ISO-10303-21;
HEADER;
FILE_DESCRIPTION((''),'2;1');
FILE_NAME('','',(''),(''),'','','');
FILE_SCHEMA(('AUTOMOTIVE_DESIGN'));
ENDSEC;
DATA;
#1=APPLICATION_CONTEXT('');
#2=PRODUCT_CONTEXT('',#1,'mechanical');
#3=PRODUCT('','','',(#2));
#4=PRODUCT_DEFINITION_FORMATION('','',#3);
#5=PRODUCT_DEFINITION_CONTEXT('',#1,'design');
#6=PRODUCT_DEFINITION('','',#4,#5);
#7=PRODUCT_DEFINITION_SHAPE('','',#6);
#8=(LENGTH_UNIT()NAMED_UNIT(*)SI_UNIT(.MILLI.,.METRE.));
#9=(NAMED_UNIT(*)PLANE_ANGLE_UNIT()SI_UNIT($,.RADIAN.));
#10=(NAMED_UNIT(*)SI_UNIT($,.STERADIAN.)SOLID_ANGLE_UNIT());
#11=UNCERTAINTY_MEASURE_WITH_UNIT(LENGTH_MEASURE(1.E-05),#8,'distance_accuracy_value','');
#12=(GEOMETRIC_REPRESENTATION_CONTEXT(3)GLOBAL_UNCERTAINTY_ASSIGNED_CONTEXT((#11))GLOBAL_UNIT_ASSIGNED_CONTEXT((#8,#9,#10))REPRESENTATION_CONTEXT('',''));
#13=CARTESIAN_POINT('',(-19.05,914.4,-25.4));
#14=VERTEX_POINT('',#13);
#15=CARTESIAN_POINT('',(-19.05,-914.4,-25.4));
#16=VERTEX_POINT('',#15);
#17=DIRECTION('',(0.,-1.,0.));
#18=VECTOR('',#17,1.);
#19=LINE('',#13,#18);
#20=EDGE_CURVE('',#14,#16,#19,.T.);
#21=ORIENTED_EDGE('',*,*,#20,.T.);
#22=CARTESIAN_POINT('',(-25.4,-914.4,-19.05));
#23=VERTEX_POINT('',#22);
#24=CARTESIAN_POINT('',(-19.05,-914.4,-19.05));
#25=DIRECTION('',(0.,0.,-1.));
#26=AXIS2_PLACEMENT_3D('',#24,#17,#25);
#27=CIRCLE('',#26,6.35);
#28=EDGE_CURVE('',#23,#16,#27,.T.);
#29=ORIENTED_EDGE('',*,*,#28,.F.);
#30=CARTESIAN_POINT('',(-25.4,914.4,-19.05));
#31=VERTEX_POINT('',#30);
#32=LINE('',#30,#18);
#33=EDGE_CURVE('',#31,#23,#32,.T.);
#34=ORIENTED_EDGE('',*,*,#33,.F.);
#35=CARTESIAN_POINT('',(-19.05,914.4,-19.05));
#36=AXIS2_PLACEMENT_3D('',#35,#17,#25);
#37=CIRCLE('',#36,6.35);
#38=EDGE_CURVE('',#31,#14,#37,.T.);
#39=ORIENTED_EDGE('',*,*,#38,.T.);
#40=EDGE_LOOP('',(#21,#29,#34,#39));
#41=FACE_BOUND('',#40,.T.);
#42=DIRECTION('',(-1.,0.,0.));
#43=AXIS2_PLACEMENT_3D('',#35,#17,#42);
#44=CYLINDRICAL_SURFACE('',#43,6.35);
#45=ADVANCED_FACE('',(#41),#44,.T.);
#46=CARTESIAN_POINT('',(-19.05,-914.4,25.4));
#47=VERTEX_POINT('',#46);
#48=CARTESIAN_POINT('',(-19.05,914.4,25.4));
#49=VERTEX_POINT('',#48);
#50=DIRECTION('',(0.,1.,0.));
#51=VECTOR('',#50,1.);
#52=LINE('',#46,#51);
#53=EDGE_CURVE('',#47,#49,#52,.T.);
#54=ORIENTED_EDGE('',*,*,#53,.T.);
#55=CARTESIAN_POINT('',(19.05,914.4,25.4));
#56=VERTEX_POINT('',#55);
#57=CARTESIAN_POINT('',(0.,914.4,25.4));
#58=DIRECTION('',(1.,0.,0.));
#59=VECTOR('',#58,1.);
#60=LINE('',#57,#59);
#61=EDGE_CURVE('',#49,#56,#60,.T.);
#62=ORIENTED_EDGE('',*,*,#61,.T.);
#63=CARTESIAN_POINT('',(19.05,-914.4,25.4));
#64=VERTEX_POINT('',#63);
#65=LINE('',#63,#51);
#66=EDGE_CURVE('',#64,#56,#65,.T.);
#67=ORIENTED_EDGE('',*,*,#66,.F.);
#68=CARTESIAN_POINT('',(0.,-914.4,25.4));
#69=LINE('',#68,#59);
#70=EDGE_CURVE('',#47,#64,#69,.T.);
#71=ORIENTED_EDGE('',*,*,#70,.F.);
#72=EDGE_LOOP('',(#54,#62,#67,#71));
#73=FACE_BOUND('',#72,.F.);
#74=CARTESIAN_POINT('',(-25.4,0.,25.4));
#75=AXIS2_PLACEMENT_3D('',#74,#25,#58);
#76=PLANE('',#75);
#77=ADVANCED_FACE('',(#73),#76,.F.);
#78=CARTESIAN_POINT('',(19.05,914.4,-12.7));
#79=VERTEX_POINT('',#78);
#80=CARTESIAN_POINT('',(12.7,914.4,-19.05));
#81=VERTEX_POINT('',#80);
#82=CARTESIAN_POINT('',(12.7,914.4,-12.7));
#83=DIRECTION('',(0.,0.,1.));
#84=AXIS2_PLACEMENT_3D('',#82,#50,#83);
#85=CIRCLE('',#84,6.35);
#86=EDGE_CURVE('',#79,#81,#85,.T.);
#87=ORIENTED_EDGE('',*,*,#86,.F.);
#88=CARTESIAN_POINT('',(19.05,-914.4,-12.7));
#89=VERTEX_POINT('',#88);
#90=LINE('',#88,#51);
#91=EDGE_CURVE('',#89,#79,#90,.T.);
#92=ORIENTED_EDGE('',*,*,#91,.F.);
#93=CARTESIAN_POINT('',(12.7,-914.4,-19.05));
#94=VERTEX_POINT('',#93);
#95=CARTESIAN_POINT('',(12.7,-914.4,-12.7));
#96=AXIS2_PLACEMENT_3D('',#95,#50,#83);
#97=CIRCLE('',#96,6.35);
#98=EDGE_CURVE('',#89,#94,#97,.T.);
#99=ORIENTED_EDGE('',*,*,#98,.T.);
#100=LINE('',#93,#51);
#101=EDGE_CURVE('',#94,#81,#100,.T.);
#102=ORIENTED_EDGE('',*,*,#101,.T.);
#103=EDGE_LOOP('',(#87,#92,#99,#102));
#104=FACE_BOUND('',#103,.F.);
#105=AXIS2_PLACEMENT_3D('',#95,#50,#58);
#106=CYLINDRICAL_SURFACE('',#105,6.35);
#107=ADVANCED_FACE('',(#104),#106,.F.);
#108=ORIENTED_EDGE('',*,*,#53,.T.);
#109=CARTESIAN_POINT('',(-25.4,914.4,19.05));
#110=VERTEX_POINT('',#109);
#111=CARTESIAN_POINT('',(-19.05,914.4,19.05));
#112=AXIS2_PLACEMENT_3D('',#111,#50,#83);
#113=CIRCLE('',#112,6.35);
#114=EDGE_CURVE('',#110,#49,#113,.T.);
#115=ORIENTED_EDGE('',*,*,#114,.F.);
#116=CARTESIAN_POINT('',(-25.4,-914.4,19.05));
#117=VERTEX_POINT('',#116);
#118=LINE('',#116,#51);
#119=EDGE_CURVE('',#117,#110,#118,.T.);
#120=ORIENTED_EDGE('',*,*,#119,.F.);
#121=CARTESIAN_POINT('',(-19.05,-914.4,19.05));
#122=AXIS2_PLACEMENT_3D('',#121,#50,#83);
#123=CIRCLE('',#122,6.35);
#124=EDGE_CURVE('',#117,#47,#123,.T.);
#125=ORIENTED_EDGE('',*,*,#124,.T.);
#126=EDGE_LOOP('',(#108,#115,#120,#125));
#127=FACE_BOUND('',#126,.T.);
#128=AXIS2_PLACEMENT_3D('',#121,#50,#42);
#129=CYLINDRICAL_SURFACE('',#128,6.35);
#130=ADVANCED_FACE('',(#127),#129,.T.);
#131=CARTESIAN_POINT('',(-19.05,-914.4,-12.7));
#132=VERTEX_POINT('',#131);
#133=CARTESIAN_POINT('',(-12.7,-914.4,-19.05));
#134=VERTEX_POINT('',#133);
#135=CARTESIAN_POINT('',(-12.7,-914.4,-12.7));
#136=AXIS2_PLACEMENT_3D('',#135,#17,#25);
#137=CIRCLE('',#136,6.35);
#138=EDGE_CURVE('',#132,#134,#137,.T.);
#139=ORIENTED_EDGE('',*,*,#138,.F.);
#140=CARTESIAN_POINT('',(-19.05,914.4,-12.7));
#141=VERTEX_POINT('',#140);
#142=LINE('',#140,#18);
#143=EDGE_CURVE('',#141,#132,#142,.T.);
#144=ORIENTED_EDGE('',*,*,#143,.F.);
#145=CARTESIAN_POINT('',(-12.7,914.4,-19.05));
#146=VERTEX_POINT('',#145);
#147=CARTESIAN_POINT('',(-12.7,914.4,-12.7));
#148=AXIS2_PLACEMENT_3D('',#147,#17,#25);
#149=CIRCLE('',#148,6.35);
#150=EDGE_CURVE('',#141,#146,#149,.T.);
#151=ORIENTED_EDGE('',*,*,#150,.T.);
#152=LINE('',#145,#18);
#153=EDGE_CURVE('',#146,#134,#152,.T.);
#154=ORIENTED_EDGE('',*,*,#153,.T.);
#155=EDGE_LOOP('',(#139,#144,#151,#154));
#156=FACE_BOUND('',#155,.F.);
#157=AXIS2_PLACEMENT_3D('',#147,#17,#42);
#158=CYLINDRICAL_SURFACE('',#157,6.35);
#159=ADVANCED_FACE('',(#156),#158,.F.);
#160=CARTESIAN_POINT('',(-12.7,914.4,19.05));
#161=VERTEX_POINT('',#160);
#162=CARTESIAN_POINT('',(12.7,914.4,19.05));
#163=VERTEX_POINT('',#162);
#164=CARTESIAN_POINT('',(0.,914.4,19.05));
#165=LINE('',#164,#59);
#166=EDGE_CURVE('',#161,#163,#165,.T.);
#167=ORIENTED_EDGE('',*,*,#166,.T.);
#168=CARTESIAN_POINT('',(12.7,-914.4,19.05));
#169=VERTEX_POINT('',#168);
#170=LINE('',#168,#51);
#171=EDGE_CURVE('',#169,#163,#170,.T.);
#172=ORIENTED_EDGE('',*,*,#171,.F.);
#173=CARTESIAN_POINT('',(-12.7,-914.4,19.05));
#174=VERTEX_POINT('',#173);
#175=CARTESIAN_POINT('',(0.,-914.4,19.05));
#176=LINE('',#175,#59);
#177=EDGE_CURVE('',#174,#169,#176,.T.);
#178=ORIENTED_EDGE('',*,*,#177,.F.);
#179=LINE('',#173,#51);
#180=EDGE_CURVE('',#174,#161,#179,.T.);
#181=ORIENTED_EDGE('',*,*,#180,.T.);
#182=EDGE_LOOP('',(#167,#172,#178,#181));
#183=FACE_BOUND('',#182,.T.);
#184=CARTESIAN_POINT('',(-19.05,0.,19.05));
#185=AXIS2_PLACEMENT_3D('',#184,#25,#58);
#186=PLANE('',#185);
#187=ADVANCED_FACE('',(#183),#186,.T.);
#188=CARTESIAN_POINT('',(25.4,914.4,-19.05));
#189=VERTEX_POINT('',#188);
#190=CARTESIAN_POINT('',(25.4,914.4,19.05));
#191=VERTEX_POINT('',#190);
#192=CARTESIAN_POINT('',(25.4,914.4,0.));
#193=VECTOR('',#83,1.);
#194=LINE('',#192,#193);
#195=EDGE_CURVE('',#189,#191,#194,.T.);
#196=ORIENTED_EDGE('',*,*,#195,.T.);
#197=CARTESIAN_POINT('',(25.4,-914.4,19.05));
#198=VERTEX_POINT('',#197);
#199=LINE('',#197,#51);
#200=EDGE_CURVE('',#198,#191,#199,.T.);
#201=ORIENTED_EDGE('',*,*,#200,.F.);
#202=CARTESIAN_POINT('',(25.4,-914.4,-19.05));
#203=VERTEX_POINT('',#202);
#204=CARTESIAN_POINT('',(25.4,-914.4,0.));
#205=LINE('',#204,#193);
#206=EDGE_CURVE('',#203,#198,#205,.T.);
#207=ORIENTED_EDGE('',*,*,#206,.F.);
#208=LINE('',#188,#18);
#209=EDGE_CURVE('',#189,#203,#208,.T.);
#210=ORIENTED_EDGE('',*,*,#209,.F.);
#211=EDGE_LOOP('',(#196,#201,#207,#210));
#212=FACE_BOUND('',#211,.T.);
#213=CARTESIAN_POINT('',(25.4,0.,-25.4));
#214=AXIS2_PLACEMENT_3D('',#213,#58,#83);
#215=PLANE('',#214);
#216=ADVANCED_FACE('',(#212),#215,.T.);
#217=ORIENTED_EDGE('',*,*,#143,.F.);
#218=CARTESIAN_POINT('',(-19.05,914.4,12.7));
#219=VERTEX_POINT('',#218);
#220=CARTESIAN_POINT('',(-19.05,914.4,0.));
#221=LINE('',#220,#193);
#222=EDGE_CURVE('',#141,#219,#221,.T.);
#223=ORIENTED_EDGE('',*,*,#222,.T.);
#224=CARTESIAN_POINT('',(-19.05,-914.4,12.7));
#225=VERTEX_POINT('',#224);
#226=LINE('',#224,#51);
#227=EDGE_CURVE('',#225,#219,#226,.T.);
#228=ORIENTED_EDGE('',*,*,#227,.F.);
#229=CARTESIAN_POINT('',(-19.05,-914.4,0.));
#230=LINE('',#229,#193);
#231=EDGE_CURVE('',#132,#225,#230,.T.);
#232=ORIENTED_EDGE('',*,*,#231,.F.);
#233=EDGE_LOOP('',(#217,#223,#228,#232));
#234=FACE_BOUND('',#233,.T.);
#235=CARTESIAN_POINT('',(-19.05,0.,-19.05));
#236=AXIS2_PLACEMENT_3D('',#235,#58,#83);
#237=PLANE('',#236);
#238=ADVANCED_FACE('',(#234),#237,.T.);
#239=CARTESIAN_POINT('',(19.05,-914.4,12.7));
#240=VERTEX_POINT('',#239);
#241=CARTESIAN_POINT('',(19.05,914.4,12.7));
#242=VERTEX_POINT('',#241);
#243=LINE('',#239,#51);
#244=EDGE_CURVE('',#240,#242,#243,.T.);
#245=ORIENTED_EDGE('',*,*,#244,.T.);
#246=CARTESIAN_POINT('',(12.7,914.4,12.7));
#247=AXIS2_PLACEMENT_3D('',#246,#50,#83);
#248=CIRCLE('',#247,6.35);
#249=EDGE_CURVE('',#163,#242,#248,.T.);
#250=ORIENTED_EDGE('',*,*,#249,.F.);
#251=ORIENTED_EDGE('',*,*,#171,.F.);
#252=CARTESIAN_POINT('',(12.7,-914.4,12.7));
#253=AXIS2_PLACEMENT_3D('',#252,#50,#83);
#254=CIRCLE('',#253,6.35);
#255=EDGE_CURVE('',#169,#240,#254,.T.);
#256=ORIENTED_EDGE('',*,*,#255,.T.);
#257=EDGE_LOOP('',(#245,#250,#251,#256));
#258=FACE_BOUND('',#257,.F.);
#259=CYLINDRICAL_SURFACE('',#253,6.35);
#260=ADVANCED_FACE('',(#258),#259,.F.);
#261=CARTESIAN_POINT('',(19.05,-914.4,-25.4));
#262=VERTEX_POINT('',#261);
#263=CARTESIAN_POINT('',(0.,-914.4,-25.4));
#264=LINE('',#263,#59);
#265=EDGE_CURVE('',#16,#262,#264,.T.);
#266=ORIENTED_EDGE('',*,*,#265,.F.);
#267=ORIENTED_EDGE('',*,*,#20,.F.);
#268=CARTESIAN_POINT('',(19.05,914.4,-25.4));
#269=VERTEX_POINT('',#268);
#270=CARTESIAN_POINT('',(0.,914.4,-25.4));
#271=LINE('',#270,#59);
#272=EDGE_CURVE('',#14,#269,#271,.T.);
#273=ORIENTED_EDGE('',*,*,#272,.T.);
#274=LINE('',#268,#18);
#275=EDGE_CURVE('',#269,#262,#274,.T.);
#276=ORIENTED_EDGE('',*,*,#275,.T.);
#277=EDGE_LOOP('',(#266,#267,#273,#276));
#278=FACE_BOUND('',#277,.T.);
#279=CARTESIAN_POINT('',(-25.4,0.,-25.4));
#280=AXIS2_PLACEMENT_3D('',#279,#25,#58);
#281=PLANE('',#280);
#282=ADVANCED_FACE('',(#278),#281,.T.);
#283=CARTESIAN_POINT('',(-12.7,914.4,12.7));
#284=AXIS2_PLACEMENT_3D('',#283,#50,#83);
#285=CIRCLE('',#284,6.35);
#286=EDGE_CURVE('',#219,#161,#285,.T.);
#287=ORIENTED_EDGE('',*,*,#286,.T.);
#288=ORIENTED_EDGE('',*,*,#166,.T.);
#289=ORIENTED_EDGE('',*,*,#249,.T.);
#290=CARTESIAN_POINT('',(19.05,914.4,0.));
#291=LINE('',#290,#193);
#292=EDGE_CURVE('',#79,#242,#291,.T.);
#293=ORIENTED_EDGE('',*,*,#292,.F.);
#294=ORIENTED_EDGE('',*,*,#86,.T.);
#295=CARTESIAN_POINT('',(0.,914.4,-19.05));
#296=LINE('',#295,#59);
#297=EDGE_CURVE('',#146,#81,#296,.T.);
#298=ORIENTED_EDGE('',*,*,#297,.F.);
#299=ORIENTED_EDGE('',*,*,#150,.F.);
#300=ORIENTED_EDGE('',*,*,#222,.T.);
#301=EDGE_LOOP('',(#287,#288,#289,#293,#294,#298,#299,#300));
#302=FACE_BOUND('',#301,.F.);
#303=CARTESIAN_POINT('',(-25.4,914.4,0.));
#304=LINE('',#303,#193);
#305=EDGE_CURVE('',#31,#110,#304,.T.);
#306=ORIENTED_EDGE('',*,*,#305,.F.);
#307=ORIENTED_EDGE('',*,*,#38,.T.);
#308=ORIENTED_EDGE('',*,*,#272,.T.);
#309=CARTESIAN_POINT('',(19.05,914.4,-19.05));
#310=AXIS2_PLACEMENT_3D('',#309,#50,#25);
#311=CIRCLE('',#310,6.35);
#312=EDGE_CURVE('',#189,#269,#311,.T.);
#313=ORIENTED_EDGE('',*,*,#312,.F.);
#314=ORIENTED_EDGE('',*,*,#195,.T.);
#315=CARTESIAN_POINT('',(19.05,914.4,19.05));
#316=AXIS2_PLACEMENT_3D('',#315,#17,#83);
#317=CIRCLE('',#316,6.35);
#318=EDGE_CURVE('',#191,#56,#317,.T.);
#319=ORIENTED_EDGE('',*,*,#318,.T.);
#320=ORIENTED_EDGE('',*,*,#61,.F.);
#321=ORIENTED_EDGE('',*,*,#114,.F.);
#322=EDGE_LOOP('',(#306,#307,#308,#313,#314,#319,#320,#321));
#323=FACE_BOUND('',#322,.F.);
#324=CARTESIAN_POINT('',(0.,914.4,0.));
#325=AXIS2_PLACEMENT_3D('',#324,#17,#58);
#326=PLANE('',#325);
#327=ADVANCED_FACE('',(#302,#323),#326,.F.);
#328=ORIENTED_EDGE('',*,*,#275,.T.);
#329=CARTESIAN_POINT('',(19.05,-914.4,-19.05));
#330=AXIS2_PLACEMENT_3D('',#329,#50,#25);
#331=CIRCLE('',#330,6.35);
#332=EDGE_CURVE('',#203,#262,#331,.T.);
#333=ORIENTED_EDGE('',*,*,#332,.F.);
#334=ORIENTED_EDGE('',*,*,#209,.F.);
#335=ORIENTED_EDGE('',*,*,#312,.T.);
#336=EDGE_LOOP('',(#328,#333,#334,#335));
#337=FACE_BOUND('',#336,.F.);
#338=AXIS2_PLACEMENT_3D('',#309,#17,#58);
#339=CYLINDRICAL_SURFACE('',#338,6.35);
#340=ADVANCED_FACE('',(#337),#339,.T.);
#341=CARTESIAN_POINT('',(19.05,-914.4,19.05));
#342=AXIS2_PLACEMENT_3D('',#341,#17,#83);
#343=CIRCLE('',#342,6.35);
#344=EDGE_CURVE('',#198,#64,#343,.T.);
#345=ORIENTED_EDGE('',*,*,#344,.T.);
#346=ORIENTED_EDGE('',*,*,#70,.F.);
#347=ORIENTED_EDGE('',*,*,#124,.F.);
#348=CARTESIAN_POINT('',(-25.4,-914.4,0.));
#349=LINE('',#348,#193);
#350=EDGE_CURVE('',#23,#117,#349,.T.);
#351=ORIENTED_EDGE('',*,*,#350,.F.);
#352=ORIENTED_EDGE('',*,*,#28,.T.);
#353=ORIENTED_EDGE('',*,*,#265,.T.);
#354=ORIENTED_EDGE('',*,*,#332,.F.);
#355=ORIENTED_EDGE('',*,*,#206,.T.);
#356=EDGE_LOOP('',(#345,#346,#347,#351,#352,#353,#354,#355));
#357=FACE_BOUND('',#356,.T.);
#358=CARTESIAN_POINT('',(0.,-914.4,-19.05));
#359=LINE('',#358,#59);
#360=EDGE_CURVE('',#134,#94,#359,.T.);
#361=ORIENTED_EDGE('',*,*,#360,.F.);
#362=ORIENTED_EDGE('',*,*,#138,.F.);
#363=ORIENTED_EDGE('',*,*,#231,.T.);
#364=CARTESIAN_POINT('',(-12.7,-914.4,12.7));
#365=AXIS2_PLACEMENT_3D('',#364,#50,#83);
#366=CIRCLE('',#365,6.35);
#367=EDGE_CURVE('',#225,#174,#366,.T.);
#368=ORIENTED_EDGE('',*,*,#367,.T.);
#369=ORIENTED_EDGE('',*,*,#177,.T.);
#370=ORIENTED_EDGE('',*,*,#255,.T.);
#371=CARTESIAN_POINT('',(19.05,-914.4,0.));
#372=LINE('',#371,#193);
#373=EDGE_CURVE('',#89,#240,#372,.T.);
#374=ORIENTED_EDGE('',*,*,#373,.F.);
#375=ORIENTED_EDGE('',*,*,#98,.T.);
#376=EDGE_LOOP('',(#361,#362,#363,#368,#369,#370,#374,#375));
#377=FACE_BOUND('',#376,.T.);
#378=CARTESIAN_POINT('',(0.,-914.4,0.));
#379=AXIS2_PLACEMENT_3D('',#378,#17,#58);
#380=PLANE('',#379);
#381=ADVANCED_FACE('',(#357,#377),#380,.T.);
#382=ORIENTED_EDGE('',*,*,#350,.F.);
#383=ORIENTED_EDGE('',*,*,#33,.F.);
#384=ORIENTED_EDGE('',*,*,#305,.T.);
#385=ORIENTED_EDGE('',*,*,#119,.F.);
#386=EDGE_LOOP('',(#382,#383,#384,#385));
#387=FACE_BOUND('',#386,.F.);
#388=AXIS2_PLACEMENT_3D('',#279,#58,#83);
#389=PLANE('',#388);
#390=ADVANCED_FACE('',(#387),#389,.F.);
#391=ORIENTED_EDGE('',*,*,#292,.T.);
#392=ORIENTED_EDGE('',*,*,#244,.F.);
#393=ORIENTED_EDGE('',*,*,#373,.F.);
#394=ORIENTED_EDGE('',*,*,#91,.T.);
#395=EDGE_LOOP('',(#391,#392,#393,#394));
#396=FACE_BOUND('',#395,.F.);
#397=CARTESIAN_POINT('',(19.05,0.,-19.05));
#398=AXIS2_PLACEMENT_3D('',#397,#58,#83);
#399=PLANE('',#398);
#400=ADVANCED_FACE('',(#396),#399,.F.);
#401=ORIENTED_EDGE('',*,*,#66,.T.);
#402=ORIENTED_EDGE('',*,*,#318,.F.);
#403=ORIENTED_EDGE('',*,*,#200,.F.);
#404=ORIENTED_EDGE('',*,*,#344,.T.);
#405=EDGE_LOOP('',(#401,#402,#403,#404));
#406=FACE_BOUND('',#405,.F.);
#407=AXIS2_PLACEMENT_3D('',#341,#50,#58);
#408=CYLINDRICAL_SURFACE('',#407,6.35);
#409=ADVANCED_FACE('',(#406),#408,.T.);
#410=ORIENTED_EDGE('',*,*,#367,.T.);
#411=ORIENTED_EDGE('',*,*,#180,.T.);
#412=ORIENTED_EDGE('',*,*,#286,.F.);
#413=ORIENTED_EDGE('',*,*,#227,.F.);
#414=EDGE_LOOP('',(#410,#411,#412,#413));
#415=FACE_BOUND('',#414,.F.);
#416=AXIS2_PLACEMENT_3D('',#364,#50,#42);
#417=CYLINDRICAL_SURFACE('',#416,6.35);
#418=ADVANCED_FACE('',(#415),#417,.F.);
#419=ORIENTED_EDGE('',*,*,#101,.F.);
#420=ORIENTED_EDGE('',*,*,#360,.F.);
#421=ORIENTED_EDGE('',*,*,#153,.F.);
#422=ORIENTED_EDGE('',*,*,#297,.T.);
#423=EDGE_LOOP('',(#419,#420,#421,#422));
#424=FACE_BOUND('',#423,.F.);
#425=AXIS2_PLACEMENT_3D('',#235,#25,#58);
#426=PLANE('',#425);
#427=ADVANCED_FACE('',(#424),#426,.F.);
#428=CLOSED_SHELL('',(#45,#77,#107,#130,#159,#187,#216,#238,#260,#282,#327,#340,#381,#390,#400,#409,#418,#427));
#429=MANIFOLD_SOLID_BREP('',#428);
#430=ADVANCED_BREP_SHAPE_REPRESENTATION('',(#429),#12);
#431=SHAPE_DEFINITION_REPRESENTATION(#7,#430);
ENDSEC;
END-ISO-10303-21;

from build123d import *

# Parameters (mm, degrees)
F0_W     = 50.8
F0_H     = 50.8
F0_W_2   = 38.1
F0_H_2   = 38.1
F1_DEPTH = 914.4
F2_R     = 6.35


with BuildPart() as f1:
    # F0 (on Front) → F1 (new body, symmetric)
    with BuildSketch(Plane.XZ):
        Rectangle(F0_W, F0_H)
        Rectangle(F0_W_2, F0_H_2, mode=Mode.SUBTRACT)
    extrude(amount=F1_DEPTH, both=True)

    # F2
    f2_edges = [f1.edges().sort_by_distance(p)[0] for p in [
        (-19.05, 0, 19.05),
        (25.4, 0, -25.4),
        (-25.4, 0, -25.4),
        (25.4, 0, 25.4),
        (19.05, 0, -19.05),
        (-25.4, 0, 25.4),
        (19.05, 0, 19.05),
        (-19.05, 0, -19.05),
    ]]
    fillet(f2_edges, radius=F2_R)


solid = f1.part
